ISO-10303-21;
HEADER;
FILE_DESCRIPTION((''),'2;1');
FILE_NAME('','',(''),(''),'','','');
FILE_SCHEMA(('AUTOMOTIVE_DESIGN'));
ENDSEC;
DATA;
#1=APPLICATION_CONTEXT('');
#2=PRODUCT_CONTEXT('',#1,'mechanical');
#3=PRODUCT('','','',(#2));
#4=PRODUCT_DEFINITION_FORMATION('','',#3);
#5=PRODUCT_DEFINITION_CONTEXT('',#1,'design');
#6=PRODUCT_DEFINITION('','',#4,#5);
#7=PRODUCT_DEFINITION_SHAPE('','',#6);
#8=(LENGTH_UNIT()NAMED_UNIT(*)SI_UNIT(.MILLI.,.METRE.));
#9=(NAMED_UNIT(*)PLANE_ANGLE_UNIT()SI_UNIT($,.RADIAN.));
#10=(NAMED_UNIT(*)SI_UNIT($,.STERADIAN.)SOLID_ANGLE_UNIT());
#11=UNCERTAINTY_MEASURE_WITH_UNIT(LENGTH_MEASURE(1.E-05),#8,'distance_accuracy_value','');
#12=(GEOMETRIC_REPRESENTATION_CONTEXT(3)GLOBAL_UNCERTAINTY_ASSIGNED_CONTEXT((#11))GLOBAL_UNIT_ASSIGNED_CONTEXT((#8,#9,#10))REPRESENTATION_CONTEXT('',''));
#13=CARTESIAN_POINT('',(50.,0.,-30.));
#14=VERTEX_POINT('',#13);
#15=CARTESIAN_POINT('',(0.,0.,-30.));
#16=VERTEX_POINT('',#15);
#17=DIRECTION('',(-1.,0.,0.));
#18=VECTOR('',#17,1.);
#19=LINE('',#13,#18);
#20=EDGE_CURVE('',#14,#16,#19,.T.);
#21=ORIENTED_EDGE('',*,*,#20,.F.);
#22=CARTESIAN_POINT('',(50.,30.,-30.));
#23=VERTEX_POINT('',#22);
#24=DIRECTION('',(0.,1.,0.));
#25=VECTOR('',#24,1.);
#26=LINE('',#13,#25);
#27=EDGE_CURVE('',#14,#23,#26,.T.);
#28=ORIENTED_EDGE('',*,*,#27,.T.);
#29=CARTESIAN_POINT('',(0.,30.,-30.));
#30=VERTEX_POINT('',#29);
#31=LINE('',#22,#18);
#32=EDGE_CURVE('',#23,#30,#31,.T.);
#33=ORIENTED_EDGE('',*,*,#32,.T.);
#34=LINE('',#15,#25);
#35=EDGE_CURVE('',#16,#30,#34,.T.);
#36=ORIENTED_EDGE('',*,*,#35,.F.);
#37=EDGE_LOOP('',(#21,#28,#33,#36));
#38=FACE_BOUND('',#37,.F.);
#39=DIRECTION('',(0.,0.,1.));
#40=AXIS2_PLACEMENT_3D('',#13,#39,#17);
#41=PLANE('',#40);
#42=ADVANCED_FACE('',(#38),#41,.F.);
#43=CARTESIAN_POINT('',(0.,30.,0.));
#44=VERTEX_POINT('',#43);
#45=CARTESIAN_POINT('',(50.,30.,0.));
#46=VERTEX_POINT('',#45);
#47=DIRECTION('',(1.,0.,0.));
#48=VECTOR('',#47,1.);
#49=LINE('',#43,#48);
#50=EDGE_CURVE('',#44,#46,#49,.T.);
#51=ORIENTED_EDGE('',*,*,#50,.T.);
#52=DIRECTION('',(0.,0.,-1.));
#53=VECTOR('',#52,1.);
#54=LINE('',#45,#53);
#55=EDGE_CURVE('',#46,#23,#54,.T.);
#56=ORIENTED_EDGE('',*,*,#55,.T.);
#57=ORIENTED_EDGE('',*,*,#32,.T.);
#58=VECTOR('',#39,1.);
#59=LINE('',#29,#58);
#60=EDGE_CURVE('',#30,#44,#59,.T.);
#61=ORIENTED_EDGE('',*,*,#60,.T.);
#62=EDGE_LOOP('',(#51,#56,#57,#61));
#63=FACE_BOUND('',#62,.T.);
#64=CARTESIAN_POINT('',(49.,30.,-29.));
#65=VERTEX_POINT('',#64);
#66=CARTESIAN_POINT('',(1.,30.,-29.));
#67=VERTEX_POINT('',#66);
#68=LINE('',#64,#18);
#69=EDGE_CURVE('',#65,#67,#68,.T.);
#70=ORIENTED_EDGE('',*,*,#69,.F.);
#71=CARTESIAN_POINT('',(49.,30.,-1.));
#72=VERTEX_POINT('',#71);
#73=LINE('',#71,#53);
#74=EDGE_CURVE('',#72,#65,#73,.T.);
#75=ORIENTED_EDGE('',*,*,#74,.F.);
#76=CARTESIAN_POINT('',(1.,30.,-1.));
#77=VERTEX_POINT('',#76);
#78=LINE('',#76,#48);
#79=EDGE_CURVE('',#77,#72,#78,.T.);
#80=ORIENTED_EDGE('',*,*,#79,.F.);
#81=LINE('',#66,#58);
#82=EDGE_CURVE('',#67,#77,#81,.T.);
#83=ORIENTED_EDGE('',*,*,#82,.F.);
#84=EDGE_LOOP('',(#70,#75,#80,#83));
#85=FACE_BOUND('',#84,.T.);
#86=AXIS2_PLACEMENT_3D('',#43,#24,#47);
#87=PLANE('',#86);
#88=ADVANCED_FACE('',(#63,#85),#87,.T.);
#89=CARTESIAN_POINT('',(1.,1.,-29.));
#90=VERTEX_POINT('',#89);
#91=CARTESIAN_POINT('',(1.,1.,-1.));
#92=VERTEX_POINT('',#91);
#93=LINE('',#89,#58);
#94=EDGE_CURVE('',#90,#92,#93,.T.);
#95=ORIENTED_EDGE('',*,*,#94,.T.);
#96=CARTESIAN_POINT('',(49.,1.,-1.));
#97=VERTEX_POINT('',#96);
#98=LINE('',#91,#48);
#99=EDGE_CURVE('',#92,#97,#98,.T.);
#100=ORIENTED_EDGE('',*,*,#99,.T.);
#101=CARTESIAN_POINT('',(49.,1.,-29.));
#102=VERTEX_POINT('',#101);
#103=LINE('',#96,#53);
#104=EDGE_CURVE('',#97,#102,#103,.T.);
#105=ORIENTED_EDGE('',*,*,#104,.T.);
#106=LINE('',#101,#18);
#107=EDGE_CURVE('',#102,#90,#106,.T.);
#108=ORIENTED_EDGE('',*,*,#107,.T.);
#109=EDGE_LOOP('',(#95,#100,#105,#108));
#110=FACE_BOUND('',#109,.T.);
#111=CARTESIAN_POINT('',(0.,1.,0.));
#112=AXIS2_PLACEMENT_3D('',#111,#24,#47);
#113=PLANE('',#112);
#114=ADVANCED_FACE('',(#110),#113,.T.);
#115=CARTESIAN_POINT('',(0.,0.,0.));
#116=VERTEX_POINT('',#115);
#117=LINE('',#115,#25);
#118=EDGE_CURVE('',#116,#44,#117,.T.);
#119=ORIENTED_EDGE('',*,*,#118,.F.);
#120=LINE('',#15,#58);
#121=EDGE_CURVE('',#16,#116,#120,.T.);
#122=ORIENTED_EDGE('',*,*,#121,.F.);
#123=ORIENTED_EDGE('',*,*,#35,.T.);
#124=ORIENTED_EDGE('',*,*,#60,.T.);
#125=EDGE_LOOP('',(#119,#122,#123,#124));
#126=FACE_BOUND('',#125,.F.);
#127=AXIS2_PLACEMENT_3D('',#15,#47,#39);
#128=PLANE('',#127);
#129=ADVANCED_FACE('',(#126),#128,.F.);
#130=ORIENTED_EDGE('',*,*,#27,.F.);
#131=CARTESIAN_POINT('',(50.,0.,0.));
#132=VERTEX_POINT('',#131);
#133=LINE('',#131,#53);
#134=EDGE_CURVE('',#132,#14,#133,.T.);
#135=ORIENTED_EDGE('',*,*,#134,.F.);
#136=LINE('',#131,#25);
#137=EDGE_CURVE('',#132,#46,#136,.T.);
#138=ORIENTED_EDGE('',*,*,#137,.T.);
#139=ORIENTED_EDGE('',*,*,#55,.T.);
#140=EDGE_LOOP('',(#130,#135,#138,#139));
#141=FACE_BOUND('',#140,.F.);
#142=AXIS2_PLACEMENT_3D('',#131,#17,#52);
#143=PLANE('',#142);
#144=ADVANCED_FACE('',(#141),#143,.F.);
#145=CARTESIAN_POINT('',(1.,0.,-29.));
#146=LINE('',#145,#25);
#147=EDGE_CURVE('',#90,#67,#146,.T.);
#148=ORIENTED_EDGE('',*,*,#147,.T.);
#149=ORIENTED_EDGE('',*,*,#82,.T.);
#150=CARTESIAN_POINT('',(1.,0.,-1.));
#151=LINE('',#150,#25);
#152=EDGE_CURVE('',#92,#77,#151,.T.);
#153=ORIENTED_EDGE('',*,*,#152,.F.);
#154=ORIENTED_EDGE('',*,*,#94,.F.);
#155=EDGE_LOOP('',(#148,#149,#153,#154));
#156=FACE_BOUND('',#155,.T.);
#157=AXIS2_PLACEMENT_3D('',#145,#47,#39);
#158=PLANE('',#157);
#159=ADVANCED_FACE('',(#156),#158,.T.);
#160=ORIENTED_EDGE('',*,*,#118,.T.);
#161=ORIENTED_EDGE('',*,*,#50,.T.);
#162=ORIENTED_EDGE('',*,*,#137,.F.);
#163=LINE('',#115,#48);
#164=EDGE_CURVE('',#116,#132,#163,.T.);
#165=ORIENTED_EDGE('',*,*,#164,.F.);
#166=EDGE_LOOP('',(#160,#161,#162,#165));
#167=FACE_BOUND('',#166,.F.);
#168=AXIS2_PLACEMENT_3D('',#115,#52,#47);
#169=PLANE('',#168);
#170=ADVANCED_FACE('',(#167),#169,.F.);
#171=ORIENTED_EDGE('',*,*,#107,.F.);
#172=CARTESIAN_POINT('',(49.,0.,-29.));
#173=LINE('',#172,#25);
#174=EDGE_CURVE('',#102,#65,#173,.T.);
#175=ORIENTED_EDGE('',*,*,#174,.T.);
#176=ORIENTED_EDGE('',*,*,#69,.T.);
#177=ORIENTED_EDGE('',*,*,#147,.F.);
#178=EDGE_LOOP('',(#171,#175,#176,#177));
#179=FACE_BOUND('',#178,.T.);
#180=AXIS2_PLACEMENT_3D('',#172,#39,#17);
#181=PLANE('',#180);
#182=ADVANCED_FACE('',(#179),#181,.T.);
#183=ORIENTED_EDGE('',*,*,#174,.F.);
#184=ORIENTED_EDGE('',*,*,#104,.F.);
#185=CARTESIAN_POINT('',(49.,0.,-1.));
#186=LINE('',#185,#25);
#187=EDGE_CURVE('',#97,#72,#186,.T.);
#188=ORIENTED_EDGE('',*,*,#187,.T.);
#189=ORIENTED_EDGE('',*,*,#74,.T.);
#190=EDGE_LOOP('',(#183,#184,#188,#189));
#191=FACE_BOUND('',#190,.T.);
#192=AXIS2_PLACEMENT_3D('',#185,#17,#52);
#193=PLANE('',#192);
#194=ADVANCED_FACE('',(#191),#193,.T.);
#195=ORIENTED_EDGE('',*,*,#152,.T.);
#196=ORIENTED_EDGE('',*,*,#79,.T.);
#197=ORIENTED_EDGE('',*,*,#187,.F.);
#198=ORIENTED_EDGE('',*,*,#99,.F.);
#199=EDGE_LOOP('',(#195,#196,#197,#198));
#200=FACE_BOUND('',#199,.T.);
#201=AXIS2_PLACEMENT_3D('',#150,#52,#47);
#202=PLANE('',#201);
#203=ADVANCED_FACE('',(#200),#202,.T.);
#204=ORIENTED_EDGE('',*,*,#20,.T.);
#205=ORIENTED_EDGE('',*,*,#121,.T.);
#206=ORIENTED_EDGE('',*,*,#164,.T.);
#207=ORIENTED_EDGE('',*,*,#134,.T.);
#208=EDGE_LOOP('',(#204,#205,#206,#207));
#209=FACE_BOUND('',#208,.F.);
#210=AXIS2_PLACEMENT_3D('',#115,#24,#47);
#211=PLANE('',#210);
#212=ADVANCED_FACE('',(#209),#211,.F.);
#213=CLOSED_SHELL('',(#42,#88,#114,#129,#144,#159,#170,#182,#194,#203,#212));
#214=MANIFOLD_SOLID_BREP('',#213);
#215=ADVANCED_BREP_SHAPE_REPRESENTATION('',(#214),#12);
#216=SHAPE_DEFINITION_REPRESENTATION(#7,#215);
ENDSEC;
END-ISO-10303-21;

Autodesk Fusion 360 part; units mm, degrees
sketch "Sketch1" plane through (0, 0, 0) normal (0, 1, 0) x (1, 0, 0)
  line L0 (0, 0) -> (50, 0)
  line L1 (50, 0) -> (50, 30)
  line L2 (50, 30) -> (0, 30)
  line L3 (0, 30) -> (0, 0)
  line L4 (49, 29) -> (1, 29)
  line L5 (1, 29) -> (1, 1)
  line L6 (1, 1) -> (49, 1)
  line L7 (49, 1) -> (49, 29)
  dimension "d16" = 50
  dimension "d17" = 30
extrude "Extrude5" add sketch "Sketch1" along normal blind 30
extrude "Extrude6" add sketch "Sketch1" along normal blind 1 contours L4 L5 L6 L7
equation "thickness = 1 mm"
equation "depth = 30 mm"
equation "width = 50 mm"
equation "height = 30 mm"
equation "d16 = width"
equation "d17 = depth"
equation "d18 = -thickness"
equation "d19 = height"
equation "d21 = thickness"
